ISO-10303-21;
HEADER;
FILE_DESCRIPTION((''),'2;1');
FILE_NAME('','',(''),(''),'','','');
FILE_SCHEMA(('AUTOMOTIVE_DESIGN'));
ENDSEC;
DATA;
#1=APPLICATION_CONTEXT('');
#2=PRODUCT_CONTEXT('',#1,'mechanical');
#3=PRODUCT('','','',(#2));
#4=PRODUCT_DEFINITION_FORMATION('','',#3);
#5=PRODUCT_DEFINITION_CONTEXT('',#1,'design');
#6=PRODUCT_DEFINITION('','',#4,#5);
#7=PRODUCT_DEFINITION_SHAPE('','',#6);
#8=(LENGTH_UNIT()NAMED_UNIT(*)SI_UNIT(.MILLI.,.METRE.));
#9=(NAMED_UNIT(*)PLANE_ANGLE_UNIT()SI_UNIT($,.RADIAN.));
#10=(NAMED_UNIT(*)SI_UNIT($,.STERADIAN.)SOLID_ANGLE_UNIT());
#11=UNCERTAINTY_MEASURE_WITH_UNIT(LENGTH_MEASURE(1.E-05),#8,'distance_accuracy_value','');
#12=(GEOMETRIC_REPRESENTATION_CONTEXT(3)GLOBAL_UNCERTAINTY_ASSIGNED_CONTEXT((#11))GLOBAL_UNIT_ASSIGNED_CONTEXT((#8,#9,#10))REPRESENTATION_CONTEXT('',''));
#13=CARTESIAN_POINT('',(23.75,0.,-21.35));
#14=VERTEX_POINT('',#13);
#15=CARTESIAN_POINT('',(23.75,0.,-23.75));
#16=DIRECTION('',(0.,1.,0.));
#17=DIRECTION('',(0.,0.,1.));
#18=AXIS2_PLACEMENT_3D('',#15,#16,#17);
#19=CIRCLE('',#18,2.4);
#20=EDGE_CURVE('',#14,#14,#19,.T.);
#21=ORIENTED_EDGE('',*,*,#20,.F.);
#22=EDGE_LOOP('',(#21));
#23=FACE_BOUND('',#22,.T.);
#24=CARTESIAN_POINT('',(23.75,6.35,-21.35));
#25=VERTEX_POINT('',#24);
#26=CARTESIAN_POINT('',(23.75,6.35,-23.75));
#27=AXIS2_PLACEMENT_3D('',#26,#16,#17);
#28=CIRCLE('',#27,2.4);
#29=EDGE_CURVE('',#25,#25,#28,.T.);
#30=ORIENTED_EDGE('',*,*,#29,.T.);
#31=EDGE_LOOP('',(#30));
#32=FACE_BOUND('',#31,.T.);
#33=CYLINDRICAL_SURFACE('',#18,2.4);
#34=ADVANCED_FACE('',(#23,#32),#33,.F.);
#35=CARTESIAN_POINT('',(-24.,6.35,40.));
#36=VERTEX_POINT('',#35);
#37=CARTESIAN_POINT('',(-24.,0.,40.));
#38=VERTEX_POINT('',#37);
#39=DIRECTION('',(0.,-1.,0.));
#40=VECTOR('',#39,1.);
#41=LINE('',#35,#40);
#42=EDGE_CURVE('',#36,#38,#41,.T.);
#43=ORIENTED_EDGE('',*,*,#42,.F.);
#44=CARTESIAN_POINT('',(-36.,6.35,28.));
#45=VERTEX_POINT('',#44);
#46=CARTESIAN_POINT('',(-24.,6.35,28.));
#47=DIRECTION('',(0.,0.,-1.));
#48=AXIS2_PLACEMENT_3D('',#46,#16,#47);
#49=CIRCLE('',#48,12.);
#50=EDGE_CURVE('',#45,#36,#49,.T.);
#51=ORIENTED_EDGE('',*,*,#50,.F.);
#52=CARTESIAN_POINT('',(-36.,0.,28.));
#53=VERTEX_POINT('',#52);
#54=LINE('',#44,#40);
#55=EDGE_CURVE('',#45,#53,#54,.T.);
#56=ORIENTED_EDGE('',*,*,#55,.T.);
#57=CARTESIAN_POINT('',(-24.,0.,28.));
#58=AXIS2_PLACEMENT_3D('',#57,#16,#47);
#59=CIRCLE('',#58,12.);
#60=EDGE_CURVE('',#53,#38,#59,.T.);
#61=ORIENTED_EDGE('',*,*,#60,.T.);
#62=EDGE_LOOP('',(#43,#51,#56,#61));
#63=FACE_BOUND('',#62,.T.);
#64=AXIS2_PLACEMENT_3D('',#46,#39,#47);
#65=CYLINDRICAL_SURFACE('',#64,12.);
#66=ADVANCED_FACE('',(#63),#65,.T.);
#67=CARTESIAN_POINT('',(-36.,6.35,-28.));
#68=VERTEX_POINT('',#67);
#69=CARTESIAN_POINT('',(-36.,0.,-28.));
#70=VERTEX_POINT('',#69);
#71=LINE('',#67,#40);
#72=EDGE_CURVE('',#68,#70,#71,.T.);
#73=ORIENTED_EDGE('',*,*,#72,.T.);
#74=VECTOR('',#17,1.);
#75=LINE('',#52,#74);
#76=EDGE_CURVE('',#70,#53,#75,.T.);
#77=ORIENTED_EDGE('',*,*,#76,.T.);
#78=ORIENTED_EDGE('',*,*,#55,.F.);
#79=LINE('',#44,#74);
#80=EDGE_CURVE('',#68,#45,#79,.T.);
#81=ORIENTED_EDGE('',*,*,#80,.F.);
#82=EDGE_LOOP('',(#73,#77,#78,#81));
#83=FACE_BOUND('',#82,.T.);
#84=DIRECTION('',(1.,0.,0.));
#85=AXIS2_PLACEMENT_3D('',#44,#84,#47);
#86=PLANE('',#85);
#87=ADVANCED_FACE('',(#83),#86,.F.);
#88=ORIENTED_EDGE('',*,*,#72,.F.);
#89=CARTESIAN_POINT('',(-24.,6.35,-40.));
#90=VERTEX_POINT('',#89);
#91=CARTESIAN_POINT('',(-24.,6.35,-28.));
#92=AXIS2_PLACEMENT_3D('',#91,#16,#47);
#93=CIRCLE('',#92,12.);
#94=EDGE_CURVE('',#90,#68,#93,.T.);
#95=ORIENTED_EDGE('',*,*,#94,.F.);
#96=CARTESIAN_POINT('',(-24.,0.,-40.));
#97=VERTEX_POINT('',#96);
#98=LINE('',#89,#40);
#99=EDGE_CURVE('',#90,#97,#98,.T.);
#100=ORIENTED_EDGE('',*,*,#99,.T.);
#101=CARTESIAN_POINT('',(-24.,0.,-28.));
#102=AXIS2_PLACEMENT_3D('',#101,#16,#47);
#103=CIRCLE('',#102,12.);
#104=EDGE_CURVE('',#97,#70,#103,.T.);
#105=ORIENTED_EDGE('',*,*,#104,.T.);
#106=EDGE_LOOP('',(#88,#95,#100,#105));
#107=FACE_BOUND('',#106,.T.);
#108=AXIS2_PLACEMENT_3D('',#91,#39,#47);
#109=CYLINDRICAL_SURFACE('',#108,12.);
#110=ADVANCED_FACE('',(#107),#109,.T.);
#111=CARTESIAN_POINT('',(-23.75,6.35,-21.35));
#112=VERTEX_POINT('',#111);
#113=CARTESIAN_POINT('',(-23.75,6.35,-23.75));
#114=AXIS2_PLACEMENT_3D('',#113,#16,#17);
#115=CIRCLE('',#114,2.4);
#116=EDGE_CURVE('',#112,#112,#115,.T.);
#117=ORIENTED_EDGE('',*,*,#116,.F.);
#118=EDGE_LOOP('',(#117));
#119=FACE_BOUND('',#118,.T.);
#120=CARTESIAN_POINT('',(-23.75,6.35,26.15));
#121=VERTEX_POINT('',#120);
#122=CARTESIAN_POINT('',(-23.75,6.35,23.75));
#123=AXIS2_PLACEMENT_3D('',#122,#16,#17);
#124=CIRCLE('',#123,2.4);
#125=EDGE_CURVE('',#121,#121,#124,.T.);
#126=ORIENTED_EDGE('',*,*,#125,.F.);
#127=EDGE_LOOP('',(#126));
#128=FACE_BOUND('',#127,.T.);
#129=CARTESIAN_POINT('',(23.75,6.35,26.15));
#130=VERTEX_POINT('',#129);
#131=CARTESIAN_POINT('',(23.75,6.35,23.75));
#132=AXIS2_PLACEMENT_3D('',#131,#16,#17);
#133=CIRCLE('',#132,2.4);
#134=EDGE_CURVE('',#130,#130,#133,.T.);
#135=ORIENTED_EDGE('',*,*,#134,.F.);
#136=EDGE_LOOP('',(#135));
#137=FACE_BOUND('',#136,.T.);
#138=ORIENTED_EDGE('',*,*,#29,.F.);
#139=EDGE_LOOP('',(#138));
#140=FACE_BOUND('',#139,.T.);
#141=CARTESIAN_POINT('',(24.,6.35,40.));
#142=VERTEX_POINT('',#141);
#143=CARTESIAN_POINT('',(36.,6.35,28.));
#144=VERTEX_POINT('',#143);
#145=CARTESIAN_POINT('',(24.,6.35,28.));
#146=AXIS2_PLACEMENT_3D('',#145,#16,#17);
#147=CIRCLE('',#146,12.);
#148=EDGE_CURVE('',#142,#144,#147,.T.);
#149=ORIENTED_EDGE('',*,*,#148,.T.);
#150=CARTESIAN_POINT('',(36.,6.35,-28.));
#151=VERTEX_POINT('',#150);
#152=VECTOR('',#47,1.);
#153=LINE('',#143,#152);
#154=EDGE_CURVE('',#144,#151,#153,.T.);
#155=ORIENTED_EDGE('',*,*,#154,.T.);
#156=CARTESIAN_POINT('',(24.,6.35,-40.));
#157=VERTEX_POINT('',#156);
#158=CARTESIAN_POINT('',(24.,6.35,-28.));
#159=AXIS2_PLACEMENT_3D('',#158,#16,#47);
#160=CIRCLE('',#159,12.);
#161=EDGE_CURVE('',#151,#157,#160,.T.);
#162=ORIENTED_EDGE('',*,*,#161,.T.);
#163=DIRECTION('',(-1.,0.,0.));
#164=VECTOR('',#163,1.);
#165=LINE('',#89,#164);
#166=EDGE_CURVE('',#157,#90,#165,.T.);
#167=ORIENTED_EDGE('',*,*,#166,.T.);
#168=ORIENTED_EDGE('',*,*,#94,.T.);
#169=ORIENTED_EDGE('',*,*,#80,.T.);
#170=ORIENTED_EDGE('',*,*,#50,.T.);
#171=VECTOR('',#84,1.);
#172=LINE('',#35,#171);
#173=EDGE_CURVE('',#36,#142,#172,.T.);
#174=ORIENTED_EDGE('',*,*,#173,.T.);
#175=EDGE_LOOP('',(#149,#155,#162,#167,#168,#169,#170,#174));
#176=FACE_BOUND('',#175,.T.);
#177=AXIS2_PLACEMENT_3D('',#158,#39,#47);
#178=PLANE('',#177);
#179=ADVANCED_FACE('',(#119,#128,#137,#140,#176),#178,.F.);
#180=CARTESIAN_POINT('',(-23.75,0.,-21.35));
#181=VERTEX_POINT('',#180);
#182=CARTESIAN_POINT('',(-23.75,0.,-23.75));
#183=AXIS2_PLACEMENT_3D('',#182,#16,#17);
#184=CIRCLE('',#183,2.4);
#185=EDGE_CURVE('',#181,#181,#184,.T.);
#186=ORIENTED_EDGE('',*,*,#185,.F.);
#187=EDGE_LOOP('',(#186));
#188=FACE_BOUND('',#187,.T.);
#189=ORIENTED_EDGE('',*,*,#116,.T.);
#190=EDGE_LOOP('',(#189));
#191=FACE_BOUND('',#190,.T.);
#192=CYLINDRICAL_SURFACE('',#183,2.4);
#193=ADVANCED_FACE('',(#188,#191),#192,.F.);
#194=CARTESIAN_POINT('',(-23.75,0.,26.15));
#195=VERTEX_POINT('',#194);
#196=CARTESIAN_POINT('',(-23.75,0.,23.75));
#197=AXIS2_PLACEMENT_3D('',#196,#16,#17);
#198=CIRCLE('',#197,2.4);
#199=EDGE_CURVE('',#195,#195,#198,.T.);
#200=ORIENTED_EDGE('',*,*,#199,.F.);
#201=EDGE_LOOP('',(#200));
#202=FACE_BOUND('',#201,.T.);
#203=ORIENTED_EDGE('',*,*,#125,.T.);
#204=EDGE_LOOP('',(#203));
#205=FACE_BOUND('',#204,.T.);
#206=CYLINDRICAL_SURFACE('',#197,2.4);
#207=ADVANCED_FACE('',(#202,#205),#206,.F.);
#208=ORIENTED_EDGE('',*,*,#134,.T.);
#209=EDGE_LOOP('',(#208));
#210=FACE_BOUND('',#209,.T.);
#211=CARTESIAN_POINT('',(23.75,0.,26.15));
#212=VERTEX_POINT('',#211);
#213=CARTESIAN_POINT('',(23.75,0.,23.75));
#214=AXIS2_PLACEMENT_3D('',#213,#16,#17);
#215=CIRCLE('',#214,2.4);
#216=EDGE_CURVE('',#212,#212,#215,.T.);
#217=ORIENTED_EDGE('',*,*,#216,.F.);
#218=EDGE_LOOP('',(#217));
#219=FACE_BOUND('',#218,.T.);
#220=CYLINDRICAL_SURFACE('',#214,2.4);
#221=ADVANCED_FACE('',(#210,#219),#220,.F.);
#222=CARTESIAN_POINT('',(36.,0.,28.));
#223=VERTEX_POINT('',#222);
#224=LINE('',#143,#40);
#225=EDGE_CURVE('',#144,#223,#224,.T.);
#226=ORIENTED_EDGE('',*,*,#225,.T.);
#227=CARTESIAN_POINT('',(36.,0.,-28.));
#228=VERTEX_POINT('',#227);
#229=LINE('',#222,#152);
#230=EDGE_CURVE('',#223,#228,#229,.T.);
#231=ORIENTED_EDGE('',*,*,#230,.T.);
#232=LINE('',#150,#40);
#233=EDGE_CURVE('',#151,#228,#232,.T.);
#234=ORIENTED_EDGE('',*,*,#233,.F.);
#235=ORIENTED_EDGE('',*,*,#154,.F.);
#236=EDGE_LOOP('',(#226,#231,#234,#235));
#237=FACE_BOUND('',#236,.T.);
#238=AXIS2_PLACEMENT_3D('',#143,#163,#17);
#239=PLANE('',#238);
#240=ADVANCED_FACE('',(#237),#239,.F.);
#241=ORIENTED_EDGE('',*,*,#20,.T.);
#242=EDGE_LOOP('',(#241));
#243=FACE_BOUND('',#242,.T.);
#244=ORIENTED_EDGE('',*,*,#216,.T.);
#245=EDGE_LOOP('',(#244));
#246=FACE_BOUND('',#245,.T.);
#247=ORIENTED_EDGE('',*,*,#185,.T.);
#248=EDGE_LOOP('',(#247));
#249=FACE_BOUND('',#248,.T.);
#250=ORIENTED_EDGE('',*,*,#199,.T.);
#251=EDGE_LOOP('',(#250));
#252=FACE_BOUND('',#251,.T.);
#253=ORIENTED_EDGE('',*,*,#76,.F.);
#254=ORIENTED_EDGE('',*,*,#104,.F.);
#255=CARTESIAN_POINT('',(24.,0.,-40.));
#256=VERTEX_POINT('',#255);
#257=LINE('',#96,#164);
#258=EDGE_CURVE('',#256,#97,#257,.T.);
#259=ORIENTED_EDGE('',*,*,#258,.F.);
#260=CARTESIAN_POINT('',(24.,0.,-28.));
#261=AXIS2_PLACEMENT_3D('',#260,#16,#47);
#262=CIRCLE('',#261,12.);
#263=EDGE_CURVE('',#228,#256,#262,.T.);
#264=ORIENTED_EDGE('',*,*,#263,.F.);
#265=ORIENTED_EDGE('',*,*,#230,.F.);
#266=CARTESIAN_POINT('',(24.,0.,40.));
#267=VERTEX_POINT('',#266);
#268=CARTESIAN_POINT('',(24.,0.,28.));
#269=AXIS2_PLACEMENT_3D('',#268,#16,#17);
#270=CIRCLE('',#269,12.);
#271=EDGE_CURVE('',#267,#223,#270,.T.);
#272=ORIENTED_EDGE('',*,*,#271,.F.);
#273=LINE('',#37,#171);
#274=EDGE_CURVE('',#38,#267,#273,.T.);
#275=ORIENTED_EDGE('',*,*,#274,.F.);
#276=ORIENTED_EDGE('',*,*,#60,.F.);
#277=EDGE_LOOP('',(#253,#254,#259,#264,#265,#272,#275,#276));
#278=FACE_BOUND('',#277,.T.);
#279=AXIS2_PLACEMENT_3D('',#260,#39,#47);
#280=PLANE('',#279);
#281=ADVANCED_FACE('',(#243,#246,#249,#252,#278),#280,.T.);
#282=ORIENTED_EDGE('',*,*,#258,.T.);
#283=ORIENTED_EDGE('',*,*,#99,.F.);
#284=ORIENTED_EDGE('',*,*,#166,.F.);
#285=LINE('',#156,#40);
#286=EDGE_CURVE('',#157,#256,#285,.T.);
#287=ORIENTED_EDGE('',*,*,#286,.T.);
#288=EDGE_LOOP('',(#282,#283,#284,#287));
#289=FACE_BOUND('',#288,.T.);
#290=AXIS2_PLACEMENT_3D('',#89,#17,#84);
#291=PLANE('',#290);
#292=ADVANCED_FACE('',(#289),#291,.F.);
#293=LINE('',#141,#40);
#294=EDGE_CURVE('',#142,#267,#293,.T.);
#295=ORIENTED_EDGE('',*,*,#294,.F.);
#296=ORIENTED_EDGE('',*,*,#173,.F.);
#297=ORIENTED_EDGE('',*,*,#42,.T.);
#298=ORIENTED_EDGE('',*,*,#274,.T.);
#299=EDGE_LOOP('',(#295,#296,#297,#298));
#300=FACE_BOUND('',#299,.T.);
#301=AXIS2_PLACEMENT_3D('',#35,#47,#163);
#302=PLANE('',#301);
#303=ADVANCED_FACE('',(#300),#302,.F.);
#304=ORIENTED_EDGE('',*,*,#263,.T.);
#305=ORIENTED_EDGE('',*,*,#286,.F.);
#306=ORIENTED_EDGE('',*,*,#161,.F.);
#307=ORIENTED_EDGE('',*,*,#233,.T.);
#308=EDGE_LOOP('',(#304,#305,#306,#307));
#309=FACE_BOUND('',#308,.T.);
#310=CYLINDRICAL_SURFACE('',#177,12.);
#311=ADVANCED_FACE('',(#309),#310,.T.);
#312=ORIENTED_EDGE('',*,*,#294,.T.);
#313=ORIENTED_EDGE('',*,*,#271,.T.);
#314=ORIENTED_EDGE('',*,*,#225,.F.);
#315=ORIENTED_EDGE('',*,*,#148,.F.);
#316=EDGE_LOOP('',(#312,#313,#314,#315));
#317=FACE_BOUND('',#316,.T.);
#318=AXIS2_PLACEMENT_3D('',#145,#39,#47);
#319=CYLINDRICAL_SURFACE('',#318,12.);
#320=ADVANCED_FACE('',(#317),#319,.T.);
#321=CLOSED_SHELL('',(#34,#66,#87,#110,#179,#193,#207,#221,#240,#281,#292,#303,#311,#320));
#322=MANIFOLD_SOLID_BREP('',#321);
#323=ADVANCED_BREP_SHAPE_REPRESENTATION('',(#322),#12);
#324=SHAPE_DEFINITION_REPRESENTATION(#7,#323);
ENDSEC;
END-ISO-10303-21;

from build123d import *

# Parameters (mm, degrees)
BOSS_EXTRUDE1_DEPTH = 6.35
SKETCH2_R           = 2.4
CUT_EXTRUDE1_DEPTH  = 7.35


with BuildPart() as part:
    # Sketch1 → Boss-Extrude1 (new body)
    with BuildSketch(Plane(origin=(0, 0, 0), x_dir=(1, 0, 0), z_dir=(0, 1, 0))):
        with BuildLine():
            Line((-24, -40), (24, -40))
            ThreePointArc((24, -40), (32.485281374, -36.485281374), (36, -28))
            Line((36, -28), (36, 28))
            ThreePointArc((36, 28), (32.485281374, 36.485281374), (24, 40))
            Line((24, 40), (-24, 40))
            ThreePointArc((-24, 40), (-32.485281374, 36.485281374), (-36, 28))
            Line((-36, 28), (-36, -28))
            ThreePointArc((-36, -28), (-32.485281374, -36.485281374), (-24, -40))
        make_face()
    extrude(amount=BOSS_EXTRUDE1_DEPTH)

    # Sketch2 → Cut-Extrude1 (cut, through all)
    with BuildSketch(Plane(origin=(0, 6.35, 0), x_dir=(1, 0, 0), z_dir=(0, 1, 0))):
        with Locations((-23.75, 23.75)):
            Circle(SKETCH2_R)
        with Locations((23.75, 23.75)):
            Circle(SKETCH2_R)
        with Locations((23.75, -23.75)):
            Circle(SKETCH2_R)
        with Locations((-23.75, -23.75)):
            Circle(SKETCH2_R)
    extrude(amount=-CUT_EXTRUDE1_DEPTH, mode=Mode.SUBTRACT)


solid = part.part
